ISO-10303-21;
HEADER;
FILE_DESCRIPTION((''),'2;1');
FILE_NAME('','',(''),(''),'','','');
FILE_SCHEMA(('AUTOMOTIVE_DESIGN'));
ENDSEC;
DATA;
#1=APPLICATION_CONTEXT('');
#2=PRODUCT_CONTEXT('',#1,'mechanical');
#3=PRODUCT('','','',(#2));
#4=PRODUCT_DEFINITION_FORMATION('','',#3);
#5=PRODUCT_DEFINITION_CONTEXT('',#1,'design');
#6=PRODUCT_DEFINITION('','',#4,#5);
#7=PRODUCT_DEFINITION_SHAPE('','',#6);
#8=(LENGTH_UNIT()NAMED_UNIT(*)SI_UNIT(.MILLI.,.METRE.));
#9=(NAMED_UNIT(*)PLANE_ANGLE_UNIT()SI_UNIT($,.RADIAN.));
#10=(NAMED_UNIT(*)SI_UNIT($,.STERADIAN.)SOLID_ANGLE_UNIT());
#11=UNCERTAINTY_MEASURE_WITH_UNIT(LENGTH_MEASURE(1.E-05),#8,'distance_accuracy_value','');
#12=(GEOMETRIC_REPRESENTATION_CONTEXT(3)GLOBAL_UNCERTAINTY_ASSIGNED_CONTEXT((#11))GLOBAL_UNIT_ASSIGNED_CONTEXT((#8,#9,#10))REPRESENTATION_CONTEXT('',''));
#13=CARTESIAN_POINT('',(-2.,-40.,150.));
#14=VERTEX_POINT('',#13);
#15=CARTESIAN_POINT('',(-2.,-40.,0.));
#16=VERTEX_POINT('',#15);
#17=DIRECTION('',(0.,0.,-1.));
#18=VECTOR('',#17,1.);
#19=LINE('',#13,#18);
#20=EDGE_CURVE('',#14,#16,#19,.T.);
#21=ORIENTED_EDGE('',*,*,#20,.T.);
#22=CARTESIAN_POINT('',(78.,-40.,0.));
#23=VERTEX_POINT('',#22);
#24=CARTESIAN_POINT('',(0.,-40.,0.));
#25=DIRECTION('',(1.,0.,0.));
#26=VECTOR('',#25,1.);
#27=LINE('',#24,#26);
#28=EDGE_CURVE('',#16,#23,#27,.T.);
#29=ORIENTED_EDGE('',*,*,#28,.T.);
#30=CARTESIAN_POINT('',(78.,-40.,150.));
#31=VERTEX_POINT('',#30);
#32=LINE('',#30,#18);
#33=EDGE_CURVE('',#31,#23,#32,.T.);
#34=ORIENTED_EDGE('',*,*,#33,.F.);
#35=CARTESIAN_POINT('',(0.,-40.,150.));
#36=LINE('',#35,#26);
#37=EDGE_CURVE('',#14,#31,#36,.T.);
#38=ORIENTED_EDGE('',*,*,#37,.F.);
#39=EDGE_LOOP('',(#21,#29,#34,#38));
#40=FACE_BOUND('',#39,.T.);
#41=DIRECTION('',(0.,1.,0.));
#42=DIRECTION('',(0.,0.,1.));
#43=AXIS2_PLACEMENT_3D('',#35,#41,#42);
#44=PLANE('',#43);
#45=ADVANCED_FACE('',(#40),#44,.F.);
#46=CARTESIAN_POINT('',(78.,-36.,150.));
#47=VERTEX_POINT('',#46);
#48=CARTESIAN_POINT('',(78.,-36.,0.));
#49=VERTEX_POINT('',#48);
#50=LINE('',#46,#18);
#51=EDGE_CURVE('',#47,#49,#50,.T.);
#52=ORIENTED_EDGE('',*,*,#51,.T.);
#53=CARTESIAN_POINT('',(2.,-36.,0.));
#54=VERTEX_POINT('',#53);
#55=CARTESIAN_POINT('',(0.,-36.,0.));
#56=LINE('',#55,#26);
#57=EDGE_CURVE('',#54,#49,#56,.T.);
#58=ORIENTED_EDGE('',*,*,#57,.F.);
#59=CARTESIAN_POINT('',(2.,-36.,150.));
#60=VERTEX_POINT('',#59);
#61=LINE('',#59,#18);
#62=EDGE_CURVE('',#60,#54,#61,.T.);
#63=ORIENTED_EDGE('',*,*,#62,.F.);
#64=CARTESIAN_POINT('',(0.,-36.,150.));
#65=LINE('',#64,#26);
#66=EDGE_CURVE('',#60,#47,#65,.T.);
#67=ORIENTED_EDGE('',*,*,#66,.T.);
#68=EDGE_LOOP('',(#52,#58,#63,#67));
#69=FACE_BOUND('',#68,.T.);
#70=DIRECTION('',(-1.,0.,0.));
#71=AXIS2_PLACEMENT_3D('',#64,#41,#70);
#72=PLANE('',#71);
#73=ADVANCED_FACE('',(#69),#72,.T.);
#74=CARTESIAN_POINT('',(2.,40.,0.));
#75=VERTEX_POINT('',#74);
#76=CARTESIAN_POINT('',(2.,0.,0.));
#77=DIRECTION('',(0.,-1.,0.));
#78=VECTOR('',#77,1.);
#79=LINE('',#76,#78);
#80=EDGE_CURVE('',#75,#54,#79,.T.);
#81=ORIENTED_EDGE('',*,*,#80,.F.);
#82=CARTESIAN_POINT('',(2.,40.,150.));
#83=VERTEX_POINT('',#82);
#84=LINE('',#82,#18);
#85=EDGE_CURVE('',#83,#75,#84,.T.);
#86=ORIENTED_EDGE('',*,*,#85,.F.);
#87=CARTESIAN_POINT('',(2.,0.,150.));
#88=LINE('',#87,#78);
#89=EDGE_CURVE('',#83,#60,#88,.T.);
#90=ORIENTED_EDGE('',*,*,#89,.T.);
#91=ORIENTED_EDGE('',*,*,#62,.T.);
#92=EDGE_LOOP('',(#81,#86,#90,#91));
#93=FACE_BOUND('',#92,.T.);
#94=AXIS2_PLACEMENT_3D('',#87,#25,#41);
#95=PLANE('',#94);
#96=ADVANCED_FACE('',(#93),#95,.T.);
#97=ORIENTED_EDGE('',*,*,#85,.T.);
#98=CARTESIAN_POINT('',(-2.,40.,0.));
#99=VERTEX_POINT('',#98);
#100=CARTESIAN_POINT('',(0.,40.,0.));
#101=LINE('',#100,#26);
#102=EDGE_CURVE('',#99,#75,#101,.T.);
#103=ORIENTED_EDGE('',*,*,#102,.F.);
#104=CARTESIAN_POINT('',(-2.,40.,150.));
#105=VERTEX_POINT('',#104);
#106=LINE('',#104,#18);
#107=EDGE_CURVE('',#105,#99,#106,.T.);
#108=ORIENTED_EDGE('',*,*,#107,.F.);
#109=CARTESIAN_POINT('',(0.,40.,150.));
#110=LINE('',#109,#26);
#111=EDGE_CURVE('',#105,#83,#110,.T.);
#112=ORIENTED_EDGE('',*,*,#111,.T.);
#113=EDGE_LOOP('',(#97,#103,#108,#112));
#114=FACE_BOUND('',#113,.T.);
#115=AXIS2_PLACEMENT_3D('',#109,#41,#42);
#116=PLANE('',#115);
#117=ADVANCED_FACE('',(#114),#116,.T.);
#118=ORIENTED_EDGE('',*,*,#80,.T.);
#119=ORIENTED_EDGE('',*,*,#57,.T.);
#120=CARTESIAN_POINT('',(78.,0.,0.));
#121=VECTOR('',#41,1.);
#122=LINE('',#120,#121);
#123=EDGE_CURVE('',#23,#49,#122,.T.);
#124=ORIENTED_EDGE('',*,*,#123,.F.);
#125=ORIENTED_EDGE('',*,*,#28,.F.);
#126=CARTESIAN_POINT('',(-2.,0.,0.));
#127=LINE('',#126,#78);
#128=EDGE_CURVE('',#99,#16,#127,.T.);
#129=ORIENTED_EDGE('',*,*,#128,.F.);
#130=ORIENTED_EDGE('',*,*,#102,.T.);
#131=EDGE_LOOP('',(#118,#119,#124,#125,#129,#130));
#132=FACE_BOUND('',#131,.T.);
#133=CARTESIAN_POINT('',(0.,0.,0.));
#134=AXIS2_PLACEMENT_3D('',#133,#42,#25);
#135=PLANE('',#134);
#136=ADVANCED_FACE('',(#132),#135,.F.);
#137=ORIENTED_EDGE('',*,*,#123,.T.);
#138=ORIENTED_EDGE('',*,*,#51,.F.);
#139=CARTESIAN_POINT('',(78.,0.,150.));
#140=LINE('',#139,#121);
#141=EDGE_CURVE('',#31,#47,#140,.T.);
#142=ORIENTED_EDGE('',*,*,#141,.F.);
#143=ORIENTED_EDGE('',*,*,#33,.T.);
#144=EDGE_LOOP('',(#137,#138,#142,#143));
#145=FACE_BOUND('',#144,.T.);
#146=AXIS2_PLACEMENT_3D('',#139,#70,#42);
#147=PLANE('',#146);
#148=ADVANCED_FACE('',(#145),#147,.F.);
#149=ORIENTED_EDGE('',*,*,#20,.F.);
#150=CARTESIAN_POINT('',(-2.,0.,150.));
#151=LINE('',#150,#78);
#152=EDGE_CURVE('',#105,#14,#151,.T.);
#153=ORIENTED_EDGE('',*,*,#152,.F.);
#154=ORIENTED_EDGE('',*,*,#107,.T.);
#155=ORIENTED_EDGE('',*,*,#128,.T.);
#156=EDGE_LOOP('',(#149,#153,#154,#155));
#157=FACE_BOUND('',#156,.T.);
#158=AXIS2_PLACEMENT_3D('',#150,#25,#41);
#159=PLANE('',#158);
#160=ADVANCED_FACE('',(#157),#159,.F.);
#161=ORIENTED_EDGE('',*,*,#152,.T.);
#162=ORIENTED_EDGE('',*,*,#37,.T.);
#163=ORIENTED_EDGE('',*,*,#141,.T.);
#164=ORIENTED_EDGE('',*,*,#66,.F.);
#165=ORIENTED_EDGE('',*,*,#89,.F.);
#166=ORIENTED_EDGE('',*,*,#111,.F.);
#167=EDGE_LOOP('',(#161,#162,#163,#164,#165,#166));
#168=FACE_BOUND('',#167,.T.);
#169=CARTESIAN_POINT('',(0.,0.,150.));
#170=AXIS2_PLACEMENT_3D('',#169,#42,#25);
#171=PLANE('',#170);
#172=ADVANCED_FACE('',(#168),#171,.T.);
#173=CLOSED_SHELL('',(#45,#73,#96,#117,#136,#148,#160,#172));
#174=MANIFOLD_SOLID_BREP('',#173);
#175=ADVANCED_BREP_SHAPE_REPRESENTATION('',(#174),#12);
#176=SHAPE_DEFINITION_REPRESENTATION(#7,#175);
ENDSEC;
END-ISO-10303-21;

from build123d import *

# Parameters (mm, degrees)
SKETCH1_W           = 4
SKETCH1_H           = 76
SKETCH1_H_2         = 4
SKETCH1_W_2         = 76
BOSS_EXTRUDE1_DEPTH = 150


with BuildPart() as part:
    # Sketch1 → Boss-Extrude1 (new body)
    with BuildSketch(Plane.XY):
        with Locations((0, 2)):
            Rectangle(SKETCH1_W, SKETCH1_H)
        with Locations((0, -38)):
            Rectangle(SKETCH1_W, SKETCH1_H_2)
        with Locations((40, -38)):
            Rectangle(SKETCH1_W_2, SKETCH1_H_2)
    extrude(amount=BOSS_EXTRUDE1_DEPTH)


solid = part.part
